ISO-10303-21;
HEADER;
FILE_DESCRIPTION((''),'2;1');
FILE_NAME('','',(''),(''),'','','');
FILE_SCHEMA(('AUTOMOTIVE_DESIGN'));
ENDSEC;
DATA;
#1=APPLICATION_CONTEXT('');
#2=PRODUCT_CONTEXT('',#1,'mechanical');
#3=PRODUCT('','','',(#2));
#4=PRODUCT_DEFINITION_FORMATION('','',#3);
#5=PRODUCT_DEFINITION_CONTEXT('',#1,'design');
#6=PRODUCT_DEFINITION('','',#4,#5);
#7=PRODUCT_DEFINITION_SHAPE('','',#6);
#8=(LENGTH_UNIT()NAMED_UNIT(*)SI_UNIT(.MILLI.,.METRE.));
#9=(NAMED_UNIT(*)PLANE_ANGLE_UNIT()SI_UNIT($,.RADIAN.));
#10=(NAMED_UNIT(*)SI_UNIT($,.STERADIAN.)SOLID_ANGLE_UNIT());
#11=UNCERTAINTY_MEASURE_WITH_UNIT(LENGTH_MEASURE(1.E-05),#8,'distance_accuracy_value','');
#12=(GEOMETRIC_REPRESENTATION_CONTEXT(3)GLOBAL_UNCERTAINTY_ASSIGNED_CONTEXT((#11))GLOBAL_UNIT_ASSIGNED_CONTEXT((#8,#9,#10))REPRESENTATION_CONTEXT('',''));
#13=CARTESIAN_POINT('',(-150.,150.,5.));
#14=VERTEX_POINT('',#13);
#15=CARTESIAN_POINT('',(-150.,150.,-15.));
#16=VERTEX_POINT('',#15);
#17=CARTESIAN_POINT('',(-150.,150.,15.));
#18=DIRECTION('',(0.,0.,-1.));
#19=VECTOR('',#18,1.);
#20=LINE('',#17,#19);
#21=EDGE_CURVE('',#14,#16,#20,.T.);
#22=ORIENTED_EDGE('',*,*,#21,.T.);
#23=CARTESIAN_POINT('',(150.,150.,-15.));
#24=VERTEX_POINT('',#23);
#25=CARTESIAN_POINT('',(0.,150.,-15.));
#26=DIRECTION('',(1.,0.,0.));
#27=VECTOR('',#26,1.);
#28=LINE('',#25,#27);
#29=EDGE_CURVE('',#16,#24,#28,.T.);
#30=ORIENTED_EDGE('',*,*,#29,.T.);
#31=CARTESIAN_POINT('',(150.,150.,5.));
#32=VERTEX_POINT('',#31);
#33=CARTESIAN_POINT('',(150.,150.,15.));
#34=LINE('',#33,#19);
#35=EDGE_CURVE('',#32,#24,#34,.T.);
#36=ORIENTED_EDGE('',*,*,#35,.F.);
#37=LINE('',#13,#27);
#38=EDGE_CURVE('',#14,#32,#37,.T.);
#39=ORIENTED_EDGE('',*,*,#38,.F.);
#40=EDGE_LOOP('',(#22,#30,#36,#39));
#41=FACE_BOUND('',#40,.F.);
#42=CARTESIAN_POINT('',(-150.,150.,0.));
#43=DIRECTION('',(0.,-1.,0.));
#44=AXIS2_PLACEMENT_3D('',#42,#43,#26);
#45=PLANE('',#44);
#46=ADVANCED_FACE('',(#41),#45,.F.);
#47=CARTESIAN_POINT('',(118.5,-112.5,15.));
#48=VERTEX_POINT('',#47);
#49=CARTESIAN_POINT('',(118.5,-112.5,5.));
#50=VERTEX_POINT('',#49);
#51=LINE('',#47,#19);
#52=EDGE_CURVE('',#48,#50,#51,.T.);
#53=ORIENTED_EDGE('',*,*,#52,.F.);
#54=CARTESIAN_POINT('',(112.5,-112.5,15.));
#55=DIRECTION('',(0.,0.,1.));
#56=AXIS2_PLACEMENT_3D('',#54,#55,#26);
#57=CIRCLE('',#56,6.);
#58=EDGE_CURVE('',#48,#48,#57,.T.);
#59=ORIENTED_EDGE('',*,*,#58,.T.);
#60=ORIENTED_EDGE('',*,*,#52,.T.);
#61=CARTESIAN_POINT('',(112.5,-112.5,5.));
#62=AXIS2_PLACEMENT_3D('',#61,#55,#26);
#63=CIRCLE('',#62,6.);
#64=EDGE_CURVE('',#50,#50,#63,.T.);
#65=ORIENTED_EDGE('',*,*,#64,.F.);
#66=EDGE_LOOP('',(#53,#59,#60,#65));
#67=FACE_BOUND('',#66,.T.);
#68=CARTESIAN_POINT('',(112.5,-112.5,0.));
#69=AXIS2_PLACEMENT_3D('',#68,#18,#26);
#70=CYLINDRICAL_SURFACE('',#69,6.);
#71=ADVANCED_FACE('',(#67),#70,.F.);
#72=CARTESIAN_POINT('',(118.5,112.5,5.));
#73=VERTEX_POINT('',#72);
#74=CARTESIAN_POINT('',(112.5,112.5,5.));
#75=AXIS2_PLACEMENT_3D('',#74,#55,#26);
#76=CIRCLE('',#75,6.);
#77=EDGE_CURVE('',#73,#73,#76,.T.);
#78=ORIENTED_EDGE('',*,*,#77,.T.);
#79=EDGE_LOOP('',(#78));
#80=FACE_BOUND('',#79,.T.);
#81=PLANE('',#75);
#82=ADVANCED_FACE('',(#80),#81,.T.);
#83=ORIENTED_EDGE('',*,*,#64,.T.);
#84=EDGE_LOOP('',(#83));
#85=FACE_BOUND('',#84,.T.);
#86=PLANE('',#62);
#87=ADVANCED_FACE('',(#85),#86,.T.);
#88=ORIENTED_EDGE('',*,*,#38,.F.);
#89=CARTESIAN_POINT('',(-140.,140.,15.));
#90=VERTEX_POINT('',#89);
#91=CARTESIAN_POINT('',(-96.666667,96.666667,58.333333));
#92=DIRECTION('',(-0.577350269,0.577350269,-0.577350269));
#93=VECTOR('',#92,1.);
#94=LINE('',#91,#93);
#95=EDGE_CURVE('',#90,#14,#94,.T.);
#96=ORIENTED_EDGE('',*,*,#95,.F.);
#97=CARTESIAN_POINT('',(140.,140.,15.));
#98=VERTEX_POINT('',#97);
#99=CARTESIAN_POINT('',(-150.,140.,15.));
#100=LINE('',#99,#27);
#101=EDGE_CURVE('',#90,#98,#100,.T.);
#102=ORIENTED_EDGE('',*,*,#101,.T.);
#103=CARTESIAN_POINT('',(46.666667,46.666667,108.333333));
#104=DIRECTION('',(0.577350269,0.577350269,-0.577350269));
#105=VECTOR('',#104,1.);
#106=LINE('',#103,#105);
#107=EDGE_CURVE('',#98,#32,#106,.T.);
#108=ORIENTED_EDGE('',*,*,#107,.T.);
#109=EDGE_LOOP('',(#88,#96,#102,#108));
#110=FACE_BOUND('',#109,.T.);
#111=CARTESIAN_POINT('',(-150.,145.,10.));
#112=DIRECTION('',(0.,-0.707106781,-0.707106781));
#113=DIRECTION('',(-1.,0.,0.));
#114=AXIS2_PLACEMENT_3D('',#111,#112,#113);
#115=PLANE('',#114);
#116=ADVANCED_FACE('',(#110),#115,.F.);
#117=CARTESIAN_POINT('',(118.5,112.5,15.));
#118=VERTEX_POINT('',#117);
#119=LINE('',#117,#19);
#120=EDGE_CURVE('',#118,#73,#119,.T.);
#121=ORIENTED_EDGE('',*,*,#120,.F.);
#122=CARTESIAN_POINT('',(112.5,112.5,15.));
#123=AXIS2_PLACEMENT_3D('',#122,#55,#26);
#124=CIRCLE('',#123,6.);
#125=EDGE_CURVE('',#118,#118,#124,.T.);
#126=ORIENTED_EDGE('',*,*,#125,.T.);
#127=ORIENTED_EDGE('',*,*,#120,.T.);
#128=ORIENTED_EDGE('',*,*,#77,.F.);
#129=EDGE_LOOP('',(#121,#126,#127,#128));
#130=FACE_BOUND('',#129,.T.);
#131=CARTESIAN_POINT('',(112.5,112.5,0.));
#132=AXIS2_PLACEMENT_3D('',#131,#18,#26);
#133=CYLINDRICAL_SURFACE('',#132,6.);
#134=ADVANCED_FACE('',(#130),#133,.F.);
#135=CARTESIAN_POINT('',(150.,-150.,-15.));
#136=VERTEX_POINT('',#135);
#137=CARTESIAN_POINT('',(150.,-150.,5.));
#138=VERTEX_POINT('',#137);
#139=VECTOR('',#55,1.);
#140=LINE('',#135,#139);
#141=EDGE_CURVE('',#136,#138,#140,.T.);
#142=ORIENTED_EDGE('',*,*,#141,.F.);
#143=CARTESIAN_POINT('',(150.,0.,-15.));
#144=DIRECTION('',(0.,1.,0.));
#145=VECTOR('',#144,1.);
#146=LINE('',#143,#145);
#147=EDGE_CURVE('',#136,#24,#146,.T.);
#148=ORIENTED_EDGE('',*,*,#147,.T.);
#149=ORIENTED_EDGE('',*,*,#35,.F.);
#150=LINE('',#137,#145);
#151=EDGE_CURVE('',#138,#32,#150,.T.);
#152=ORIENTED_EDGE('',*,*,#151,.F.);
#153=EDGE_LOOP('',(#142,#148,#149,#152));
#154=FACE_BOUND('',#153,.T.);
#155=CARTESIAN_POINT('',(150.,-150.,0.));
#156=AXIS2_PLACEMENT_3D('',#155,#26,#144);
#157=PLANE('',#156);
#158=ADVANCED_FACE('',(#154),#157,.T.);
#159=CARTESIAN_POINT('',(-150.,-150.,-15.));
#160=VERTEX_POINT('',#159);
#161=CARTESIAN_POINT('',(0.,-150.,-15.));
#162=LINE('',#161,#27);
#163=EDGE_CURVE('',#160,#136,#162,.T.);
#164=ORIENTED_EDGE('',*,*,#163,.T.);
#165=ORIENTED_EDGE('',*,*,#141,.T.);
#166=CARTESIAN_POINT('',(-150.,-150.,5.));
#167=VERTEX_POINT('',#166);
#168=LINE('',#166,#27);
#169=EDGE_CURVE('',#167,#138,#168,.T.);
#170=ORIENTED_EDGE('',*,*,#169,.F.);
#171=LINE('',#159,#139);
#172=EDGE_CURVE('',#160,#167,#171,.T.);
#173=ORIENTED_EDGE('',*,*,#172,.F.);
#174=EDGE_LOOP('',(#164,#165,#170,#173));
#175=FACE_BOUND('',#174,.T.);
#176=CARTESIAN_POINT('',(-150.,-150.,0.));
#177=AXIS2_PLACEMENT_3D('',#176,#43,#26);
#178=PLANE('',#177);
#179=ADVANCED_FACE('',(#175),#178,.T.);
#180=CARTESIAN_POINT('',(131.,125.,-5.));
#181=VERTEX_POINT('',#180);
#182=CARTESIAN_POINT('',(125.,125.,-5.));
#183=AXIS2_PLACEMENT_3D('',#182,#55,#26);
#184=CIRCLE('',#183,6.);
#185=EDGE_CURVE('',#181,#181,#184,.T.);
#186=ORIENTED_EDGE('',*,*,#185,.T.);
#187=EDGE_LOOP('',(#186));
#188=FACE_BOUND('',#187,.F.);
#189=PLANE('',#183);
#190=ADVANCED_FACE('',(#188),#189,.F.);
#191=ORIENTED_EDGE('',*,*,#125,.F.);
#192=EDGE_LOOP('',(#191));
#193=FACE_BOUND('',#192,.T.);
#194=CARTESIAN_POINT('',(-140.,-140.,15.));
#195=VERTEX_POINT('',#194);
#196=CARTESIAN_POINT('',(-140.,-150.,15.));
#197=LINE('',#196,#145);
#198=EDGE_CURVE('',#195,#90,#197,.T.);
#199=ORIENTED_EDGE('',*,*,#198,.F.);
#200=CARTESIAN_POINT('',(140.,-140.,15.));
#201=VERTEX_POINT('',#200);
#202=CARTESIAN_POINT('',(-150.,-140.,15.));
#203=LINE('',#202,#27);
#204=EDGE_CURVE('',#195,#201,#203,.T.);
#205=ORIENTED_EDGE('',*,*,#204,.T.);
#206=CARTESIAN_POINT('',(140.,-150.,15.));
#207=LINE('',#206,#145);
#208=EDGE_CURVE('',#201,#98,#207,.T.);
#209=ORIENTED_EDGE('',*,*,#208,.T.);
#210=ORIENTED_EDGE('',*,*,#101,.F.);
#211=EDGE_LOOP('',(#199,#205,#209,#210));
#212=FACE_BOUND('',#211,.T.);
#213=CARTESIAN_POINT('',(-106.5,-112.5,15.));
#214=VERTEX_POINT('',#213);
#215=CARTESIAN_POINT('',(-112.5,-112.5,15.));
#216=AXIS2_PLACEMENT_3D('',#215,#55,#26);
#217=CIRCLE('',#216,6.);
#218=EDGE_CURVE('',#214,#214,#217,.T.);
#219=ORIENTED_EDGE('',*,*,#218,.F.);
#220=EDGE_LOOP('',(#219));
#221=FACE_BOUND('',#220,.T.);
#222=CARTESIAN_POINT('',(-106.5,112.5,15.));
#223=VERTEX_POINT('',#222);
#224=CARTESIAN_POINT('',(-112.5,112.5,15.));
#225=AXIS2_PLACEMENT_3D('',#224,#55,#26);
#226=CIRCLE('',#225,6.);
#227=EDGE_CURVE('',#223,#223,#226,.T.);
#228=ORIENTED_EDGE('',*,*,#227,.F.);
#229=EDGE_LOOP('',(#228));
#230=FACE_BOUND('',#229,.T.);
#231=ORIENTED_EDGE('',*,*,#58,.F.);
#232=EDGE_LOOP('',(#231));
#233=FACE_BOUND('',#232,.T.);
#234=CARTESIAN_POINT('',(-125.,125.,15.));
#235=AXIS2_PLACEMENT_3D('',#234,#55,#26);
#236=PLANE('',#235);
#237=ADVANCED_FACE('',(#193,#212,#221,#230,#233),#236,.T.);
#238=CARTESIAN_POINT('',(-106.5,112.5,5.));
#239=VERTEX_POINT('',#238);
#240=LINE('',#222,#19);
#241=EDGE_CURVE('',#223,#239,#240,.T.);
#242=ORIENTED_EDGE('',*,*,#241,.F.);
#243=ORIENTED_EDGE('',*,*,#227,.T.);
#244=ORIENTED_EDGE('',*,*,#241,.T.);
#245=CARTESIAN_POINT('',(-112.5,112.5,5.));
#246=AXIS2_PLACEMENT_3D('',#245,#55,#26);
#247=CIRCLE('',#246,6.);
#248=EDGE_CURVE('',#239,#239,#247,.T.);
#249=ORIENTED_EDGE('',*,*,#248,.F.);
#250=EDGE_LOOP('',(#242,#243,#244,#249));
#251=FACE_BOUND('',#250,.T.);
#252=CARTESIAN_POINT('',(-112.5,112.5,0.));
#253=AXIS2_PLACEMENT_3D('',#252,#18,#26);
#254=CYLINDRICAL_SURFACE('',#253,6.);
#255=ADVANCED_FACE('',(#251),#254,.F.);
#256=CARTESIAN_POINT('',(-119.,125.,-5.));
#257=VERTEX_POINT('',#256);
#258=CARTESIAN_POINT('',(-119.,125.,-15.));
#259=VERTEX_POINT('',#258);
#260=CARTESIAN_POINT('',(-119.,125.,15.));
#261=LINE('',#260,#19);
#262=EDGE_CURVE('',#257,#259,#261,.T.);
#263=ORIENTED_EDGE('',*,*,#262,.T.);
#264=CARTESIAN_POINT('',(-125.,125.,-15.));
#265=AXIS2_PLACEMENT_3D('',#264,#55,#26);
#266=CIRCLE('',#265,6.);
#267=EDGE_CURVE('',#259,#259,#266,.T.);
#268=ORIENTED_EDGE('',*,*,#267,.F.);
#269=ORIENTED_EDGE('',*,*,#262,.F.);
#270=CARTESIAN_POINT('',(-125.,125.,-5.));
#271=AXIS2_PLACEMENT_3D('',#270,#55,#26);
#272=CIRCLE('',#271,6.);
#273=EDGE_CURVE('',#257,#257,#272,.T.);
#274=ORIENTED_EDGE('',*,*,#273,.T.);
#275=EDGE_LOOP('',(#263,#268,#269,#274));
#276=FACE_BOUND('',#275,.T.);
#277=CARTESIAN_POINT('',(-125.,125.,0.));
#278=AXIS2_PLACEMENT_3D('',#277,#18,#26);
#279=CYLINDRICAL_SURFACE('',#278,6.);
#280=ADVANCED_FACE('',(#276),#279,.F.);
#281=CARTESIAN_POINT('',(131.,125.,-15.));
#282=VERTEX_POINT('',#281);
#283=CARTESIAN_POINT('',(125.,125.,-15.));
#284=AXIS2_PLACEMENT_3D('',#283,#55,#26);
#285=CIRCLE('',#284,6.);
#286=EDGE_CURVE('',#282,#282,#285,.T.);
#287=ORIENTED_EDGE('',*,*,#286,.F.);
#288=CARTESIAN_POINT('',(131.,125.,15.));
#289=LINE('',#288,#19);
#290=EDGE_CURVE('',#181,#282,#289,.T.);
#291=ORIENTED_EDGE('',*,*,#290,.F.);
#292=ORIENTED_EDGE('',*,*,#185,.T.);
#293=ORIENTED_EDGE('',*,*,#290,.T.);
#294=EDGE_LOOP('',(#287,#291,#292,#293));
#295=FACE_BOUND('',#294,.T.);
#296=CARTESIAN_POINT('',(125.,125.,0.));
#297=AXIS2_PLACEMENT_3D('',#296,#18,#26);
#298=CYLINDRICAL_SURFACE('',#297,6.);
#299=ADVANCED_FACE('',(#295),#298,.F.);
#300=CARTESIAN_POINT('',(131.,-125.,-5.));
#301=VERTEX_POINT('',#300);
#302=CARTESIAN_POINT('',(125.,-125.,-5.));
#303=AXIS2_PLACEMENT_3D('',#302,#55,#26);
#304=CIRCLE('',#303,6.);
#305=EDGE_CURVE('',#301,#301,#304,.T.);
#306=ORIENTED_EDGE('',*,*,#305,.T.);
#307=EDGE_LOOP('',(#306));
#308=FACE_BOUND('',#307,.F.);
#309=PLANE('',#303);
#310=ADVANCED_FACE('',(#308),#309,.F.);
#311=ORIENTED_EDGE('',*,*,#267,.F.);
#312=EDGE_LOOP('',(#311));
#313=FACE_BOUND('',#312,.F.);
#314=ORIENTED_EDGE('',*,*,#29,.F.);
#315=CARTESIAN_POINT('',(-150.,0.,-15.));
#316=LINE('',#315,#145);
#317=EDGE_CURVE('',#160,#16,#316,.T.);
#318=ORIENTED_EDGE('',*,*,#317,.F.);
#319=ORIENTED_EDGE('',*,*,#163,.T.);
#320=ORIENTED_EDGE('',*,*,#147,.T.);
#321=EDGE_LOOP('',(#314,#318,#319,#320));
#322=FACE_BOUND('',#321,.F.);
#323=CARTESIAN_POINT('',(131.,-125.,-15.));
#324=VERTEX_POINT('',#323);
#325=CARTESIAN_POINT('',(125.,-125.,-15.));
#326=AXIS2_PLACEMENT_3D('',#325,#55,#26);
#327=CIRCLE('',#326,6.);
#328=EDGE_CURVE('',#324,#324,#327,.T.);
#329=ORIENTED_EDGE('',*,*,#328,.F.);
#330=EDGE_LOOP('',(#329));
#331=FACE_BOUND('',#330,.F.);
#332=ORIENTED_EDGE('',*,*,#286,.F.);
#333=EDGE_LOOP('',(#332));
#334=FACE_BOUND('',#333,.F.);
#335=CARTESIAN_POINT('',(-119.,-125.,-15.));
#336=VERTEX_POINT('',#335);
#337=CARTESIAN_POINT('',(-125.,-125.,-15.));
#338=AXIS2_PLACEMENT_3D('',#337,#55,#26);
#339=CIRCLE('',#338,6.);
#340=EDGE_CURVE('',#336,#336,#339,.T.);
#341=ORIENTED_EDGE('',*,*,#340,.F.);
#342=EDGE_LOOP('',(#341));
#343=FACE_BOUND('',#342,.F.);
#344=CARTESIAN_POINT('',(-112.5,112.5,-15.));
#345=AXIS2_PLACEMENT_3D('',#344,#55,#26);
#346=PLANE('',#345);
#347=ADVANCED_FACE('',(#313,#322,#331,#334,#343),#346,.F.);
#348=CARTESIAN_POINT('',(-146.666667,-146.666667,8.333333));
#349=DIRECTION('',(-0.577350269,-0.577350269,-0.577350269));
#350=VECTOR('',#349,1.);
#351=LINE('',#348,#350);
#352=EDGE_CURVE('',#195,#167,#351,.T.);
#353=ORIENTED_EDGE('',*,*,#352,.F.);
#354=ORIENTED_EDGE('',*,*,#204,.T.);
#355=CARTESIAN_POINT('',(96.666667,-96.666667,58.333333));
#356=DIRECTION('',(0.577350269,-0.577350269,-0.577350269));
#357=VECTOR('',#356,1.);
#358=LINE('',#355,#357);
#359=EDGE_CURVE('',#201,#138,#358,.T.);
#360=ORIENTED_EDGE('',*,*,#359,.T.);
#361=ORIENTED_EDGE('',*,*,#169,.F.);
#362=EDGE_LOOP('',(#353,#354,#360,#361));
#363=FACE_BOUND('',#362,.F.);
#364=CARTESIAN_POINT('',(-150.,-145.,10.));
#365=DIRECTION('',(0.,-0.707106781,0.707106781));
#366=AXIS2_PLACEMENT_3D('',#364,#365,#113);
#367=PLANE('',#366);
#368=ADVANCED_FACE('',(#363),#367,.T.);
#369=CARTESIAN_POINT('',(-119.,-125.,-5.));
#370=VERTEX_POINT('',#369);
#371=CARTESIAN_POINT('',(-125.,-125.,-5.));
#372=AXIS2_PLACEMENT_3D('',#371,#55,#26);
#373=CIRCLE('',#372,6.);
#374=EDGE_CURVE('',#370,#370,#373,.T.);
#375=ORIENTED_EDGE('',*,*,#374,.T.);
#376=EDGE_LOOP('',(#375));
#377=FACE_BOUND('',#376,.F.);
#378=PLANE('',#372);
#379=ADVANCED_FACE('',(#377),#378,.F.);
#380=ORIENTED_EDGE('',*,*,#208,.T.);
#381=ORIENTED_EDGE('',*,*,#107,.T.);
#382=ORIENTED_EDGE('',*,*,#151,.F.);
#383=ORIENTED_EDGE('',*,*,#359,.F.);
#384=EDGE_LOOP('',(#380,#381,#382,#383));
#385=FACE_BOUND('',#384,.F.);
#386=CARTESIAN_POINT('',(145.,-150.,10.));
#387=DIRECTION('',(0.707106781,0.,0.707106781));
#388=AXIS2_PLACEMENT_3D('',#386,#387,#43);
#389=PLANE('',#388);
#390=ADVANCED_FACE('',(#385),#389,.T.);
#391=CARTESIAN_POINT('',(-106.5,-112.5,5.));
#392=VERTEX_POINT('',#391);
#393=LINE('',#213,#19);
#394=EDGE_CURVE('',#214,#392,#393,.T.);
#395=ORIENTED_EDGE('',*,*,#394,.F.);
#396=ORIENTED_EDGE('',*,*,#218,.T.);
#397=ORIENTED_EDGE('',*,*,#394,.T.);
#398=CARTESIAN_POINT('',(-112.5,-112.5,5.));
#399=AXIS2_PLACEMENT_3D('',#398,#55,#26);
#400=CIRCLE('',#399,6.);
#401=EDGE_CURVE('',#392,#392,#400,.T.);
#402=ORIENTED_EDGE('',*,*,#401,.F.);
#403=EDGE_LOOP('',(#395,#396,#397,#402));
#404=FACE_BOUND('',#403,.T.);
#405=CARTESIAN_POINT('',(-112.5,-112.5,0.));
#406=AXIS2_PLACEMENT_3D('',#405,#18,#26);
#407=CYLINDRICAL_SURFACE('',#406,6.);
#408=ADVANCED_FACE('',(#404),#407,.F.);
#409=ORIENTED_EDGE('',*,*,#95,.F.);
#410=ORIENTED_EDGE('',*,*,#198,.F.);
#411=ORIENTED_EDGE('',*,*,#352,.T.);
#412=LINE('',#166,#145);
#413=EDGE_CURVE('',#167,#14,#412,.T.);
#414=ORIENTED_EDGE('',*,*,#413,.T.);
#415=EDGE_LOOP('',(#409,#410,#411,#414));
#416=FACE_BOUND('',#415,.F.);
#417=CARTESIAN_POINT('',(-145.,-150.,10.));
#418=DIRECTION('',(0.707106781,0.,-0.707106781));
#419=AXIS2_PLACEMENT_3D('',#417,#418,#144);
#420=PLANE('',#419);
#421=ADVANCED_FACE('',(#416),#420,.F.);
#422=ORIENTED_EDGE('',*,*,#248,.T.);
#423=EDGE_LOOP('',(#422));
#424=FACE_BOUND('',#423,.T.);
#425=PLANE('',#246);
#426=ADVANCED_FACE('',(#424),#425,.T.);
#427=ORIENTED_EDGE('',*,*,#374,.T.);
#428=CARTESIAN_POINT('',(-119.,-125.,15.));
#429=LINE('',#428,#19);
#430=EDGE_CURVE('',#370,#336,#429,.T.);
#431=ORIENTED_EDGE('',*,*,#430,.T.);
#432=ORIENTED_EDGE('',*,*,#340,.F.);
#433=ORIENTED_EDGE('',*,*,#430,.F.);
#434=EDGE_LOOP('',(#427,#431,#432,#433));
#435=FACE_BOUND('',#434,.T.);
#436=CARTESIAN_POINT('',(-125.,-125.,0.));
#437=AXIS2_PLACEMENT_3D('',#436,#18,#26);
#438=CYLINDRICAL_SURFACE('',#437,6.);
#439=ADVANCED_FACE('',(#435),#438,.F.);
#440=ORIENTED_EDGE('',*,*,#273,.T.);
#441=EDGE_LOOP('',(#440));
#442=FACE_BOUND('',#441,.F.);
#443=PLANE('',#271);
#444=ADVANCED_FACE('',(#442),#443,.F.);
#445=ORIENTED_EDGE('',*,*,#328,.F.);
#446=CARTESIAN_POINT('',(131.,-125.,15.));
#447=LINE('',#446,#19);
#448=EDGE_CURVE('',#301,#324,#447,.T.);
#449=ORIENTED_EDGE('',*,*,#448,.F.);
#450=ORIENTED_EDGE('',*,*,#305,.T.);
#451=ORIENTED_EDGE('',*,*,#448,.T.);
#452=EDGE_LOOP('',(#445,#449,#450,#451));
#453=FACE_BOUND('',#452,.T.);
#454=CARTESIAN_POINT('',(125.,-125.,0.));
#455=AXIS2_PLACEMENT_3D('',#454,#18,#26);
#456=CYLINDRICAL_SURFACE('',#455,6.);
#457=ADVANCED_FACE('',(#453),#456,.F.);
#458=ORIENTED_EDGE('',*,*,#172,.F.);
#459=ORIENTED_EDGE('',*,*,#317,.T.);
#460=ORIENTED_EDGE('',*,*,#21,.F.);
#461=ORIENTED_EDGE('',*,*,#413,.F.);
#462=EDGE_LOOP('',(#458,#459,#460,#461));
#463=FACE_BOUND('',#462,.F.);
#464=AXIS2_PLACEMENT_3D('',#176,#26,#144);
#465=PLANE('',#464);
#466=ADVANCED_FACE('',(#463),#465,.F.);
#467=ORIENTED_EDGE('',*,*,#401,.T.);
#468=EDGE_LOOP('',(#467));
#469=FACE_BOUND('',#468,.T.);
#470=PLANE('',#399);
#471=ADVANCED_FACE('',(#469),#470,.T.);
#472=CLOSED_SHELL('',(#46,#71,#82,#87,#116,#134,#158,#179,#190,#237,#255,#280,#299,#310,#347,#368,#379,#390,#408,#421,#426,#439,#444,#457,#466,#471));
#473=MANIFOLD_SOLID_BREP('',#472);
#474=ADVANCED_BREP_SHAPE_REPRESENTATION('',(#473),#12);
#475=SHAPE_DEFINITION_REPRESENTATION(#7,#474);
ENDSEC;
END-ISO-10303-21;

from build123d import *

# Parameters (mm, degrees)
F0_W          = 300
F0_H          = 300
F0_R          = 6
F1_DEPTH      = 15
F2_SIZE2      = 10
F2_SIZE       = 10
F3_DEPTH      = 5
F3_DEPTH_BACK = 15
F4_DEPTH      = 5
F4_DEPTH_BACK = 15


with BuildPart() as f1:
    # F0 (on Top) → F1 (new body, symmetric)
    with BuildSketch(Plane.XY):
        Rectangle(F0_W, F0_H)
        with Locations((-125, -125)):
            Circle(F0_R, mode=Mode.SUBTRACT)
        with Locations((-112.5, -112.5)):
            Circle(F0_R, mode=Mode.SUBTRACT)
        with Locations((125, -125)):
            Circle(F0_R, mode=Mode.SUBTRACT)
        with Locations((112.5, -112.5)):
            Circle(F0_R, mode=Mode.SUBTRACT)
        with Locations((-125, 125)):
            Circle(F0_R, mode=Mode.SUBTRACT)
        with Locations((-112.5, 112.5)):
            Circle(F0_R, mode=Mode.SUBTRACT)
        with Locations((112.5, 112.5)):
            Circle(F0_R, mode=Mode.SUBTRACT)
        with Locations((125, 125)):
            Circle(F0_R, mode=Mode.SUBTRACT)
    extrude(amount=F1_DEPTH, both=True)

    # F2
    f2_edges = [f1.edges().sort_by_distance(p)[0] for p in [
        (0, 150, 15),
        (0, -150, 15),
        (150, 0, 15),
        (-150, 0, 15),
    ]]
    chamfer(f2_edges, length=F2_SIZE, length2=F2_SIZE2)

    # F0 (on Top) → F3 (join, two sides)
    with BuildSketch(Plane.XY) as f3_sk:
        with Locations((-112.5, 112.5)):
            Circle(F0_R)
        with Locations((112.5, 112.5)):
            Circle(F0_R)
        with Locations((112.5, -112.5)):
            Circle(F0_R)
        with Locations((-112.5, -112.5)):
            Circle(F0_R)
    extrude(amount=F3_DEPTH)
    extrude(f3_sk.sketch, amount=-F3_DEPTH_BACK)

    # F0 (on Top) → F4 (join, two sides)
    with BuildSketch(Plane.XY) as f4_sk:
        with Locations((-125, 125)):
            Circle(F0_R)
        with Locations((125, 125)):
            Circle(F0_R)
        with Locations((125, -125)):
            Circle(F0_R)
        with Locations((-125, -125)):
            Circle(F0_R)
    extrude(amount=-F4_DEPTH)
    extrude(f4_sk.sketch, amount=F4_DEPTH_BACK)


solid = f1.part
